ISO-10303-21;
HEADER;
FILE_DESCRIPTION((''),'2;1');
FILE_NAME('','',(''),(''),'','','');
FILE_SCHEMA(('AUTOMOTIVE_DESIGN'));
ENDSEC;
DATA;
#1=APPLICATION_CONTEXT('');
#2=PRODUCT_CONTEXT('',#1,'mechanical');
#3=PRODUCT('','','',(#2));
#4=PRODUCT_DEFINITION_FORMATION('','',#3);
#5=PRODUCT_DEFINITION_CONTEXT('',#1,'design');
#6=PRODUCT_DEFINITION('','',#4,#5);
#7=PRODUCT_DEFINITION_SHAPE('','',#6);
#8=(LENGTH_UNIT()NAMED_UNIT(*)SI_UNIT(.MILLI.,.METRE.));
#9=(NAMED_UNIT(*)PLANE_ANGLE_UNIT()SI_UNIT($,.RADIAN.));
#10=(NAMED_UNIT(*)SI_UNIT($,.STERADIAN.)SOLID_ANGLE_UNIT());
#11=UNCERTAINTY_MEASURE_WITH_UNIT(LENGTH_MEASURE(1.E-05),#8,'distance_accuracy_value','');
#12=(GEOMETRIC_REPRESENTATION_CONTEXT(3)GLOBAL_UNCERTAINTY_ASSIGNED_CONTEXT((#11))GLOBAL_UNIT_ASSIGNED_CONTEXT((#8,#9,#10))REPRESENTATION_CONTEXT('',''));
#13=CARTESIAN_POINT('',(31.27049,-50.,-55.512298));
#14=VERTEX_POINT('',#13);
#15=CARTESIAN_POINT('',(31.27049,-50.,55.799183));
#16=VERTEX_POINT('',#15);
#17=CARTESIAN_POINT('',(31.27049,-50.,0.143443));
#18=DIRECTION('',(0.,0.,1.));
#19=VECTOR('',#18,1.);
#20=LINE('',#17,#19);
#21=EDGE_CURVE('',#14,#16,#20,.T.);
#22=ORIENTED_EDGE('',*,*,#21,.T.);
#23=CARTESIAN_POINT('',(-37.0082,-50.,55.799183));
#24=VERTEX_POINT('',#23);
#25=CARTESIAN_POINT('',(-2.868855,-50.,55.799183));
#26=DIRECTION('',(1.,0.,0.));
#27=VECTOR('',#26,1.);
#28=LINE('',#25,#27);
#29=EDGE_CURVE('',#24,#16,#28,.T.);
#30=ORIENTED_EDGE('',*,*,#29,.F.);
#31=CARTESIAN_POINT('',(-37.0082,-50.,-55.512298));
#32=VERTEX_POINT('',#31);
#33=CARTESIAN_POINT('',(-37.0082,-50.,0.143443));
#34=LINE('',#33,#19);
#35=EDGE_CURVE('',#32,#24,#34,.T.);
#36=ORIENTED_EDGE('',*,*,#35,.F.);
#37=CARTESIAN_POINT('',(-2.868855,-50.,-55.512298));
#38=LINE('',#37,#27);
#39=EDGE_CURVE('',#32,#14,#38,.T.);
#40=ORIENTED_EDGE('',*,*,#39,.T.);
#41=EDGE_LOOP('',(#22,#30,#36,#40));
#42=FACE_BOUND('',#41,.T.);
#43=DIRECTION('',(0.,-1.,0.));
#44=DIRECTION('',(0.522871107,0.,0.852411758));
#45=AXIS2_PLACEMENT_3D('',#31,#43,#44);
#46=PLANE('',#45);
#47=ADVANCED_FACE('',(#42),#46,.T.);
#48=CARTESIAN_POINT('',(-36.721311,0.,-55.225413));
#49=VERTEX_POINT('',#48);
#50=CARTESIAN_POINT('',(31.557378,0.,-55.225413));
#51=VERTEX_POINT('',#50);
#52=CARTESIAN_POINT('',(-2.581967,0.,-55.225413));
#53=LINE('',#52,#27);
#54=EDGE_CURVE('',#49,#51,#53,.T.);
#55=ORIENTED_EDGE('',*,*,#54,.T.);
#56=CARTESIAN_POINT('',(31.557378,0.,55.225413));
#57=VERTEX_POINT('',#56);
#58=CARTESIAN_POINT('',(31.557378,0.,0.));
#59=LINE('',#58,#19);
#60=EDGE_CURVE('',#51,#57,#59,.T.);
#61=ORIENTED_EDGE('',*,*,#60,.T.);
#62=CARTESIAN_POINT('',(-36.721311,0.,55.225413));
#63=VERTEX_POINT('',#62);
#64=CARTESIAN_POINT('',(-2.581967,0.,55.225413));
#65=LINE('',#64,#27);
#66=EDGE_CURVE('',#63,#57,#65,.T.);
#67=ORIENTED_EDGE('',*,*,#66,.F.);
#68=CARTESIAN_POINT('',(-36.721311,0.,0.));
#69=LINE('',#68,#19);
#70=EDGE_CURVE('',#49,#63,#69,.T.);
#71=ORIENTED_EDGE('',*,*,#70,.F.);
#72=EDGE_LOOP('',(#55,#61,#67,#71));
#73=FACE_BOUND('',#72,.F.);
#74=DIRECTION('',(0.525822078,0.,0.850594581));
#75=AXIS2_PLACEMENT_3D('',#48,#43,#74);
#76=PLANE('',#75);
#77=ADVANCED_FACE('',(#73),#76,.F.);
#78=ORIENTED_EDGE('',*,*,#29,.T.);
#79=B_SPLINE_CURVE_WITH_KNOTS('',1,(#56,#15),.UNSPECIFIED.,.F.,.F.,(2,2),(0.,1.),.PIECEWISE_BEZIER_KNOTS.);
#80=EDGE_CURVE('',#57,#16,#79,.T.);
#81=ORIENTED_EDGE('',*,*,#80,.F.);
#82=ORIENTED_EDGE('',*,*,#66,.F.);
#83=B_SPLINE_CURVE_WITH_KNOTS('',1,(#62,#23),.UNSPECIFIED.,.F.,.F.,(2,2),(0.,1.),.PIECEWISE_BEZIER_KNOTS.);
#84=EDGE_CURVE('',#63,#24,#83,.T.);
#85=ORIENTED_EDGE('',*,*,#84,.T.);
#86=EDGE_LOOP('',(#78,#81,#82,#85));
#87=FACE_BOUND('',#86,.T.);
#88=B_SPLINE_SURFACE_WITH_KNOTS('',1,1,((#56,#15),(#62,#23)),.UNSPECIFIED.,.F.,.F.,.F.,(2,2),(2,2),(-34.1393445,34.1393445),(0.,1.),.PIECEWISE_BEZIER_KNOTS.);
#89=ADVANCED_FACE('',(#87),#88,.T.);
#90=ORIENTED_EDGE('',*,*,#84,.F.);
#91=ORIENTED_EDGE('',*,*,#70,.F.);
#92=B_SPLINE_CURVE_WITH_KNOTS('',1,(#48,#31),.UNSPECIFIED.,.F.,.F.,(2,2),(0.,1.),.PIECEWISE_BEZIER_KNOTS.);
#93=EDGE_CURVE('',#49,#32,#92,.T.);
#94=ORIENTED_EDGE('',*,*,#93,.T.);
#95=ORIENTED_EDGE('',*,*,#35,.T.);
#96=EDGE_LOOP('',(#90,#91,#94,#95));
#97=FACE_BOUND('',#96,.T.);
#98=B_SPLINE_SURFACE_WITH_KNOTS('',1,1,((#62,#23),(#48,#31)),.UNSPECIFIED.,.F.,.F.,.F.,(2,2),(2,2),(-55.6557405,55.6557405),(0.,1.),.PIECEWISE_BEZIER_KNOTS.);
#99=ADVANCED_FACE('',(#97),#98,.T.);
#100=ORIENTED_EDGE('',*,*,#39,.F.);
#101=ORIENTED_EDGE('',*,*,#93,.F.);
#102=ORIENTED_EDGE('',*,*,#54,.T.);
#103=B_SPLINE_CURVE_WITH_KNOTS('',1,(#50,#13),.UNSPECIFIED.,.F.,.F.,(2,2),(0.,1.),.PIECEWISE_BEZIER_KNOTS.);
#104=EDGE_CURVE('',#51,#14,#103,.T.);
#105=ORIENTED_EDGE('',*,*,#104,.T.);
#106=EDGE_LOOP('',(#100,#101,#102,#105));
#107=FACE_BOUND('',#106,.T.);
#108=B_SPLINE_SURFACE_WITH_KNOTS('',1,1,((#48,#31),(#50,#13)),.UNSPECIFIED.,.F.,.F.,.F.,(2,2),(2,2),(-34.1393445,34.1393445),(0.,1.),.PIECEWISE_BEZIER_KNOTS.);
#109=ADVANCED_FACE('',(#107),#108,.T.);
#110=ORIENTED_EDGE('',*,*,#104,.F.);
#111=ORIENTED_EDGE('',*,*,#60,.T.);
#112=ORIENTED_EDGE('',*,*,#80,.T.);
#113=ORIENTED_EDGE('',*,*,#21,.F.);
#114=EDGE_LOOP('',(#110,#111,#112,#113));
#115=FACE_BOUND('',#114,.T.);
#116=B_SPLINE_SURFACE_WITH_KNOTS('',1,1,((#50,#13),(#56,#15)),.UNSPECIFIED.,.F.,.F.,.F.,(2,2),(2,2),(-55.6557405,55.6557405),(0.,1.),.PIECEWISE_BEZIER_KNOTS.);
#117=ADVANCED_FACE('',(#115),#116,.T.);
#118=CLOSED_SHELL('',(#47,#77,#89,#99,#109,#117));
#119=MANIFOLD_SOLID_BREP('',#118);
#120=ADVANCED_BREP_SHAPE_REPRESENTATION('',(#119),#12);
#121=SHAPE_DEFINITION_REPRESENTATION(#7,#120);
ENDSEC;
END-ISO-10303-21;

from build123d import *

# Parameters (mm, degrees)
F0_W = 68.278689
F0_H = 110.450826
F2_W = 68.278689
F2_H = 111.311481


with BuildPart() as f3:
    # F0 (on Front) → F3 section 0
    with BuildSketch(Plane.XZ):
        with Locations((-2.581967, 0)):
            Rectangle(F0_W, F0_H)
    # F2 (on offset) → F3 section 1
    with BuildSketch(Plane.XZ.offset(50)):
        with Locations((-2.868855, 0.143443)):
            Rectangle(F2_W, F2_H)
    loft()


solid = f3.part
